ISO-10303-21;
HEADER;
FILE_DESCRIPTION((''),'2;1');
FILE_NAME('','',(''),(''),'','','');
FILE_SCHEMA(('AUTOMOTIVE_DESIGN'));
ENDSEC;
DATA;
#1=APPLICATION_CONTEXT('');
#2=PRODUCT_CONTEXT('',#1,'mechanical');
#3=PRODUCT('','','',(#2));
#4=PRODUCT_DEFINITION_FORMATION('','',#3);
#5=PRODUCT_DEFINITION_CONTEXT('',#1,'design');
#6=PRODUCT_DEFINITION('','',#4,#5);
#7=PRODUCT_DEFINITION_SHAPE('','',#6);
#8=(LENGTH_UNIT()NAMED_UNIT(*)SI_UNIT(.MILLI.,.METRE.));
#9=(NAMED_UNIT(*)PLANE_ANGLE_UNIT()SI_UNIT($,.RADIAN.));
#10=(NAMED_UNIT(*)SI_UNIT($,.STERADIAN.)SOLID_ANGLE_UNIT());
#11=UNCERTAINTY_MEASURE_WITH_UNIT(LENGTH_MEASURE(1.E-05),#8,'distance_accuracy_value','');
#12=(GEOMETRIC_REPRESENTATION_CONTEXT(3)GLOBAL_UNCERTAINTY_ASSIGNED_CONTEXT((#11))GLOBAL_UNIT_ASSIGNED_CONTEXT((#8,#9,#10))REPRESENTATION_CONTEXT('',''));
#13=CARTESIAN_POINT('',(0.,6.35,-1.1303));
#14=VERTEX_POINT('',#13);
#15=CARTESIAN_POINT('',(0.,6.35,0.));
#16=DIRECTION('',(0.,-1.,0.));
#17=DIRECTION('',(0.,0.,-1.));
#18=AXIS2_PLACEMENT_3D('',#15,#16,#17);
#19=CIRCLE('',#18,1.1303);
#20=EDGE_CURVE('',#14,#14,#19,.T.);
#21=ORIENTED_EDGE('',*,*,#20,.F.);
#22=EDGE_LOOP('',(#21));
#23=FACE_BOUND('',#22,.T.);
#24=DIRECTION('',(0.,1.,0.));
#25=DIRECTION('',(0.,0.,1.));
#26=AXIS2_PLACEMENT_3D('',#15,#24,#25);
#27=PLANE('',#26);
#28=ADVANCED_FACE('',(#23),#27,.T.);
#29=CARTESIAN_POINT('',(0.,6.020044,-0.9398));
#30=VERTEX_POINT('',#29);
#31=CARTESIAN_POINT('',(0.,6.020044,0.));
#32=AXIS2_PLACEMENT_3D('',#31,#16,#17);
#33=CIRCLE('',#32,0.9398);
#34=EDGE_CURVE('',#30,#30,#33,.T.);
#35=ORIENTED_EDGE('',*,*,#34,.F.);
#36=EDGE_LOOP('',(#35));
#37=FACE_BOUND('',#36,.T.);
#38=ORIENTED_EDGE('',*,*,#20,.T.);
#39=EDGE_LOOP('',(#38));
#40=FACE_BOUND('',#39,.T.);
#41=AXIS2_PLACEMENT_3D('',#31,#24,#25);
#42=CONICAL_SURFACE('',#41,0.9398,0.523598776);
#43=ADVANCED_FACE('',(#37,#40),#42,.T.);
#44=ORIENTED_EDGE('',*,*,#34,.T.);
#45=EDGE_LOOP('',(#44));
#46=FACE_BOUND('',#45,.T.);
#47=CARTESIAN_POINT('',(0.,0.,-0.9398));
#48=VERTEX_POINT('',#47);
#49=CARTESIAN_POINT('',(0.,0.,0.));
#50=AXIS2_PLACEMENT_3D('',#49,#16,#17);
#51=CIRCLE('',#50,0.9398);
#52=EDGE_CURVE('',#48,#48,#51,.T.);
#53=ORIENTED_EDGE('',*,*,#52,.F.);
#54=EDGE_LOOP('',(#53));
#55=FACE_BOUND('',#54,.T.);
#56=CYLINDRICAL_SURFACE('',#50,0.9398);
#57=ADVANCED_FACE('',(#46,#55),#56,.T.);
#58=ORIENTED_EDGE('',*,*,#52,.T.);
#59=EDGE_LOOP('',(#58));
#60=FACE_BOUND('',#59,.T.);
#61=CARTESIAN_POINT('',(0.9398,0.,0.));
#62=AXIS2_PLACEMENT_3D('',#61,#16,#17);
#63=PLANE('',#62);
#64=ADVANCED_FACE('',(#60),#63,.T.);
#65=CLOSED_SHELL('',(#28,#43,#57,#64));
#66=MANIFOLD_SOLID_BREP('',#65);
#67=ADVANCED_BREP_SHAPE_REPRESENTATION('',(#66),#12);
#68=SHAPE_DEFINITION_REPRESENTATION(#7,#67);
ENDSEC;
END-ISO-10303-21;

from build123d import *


with BuildPart() as part:
    # Sketch1 → Revolve1 (revolve)
    with BuildSketch(Plane.XY, mode=Mode.PRIVATE) as revolve1_sk:
        Polygon((0, 6.35), (1.1303, 6.35), (0.9398, 6.020044321), (0.9398, 0), (0, 0), align=None)
    revolve(revolve1_sk.sketch.rotate(Axis((0, 0, 0), (0, 1, 0)), 90), axis=Axis((0, 0, 0), (0, 1, 0)))


solid = part.part
